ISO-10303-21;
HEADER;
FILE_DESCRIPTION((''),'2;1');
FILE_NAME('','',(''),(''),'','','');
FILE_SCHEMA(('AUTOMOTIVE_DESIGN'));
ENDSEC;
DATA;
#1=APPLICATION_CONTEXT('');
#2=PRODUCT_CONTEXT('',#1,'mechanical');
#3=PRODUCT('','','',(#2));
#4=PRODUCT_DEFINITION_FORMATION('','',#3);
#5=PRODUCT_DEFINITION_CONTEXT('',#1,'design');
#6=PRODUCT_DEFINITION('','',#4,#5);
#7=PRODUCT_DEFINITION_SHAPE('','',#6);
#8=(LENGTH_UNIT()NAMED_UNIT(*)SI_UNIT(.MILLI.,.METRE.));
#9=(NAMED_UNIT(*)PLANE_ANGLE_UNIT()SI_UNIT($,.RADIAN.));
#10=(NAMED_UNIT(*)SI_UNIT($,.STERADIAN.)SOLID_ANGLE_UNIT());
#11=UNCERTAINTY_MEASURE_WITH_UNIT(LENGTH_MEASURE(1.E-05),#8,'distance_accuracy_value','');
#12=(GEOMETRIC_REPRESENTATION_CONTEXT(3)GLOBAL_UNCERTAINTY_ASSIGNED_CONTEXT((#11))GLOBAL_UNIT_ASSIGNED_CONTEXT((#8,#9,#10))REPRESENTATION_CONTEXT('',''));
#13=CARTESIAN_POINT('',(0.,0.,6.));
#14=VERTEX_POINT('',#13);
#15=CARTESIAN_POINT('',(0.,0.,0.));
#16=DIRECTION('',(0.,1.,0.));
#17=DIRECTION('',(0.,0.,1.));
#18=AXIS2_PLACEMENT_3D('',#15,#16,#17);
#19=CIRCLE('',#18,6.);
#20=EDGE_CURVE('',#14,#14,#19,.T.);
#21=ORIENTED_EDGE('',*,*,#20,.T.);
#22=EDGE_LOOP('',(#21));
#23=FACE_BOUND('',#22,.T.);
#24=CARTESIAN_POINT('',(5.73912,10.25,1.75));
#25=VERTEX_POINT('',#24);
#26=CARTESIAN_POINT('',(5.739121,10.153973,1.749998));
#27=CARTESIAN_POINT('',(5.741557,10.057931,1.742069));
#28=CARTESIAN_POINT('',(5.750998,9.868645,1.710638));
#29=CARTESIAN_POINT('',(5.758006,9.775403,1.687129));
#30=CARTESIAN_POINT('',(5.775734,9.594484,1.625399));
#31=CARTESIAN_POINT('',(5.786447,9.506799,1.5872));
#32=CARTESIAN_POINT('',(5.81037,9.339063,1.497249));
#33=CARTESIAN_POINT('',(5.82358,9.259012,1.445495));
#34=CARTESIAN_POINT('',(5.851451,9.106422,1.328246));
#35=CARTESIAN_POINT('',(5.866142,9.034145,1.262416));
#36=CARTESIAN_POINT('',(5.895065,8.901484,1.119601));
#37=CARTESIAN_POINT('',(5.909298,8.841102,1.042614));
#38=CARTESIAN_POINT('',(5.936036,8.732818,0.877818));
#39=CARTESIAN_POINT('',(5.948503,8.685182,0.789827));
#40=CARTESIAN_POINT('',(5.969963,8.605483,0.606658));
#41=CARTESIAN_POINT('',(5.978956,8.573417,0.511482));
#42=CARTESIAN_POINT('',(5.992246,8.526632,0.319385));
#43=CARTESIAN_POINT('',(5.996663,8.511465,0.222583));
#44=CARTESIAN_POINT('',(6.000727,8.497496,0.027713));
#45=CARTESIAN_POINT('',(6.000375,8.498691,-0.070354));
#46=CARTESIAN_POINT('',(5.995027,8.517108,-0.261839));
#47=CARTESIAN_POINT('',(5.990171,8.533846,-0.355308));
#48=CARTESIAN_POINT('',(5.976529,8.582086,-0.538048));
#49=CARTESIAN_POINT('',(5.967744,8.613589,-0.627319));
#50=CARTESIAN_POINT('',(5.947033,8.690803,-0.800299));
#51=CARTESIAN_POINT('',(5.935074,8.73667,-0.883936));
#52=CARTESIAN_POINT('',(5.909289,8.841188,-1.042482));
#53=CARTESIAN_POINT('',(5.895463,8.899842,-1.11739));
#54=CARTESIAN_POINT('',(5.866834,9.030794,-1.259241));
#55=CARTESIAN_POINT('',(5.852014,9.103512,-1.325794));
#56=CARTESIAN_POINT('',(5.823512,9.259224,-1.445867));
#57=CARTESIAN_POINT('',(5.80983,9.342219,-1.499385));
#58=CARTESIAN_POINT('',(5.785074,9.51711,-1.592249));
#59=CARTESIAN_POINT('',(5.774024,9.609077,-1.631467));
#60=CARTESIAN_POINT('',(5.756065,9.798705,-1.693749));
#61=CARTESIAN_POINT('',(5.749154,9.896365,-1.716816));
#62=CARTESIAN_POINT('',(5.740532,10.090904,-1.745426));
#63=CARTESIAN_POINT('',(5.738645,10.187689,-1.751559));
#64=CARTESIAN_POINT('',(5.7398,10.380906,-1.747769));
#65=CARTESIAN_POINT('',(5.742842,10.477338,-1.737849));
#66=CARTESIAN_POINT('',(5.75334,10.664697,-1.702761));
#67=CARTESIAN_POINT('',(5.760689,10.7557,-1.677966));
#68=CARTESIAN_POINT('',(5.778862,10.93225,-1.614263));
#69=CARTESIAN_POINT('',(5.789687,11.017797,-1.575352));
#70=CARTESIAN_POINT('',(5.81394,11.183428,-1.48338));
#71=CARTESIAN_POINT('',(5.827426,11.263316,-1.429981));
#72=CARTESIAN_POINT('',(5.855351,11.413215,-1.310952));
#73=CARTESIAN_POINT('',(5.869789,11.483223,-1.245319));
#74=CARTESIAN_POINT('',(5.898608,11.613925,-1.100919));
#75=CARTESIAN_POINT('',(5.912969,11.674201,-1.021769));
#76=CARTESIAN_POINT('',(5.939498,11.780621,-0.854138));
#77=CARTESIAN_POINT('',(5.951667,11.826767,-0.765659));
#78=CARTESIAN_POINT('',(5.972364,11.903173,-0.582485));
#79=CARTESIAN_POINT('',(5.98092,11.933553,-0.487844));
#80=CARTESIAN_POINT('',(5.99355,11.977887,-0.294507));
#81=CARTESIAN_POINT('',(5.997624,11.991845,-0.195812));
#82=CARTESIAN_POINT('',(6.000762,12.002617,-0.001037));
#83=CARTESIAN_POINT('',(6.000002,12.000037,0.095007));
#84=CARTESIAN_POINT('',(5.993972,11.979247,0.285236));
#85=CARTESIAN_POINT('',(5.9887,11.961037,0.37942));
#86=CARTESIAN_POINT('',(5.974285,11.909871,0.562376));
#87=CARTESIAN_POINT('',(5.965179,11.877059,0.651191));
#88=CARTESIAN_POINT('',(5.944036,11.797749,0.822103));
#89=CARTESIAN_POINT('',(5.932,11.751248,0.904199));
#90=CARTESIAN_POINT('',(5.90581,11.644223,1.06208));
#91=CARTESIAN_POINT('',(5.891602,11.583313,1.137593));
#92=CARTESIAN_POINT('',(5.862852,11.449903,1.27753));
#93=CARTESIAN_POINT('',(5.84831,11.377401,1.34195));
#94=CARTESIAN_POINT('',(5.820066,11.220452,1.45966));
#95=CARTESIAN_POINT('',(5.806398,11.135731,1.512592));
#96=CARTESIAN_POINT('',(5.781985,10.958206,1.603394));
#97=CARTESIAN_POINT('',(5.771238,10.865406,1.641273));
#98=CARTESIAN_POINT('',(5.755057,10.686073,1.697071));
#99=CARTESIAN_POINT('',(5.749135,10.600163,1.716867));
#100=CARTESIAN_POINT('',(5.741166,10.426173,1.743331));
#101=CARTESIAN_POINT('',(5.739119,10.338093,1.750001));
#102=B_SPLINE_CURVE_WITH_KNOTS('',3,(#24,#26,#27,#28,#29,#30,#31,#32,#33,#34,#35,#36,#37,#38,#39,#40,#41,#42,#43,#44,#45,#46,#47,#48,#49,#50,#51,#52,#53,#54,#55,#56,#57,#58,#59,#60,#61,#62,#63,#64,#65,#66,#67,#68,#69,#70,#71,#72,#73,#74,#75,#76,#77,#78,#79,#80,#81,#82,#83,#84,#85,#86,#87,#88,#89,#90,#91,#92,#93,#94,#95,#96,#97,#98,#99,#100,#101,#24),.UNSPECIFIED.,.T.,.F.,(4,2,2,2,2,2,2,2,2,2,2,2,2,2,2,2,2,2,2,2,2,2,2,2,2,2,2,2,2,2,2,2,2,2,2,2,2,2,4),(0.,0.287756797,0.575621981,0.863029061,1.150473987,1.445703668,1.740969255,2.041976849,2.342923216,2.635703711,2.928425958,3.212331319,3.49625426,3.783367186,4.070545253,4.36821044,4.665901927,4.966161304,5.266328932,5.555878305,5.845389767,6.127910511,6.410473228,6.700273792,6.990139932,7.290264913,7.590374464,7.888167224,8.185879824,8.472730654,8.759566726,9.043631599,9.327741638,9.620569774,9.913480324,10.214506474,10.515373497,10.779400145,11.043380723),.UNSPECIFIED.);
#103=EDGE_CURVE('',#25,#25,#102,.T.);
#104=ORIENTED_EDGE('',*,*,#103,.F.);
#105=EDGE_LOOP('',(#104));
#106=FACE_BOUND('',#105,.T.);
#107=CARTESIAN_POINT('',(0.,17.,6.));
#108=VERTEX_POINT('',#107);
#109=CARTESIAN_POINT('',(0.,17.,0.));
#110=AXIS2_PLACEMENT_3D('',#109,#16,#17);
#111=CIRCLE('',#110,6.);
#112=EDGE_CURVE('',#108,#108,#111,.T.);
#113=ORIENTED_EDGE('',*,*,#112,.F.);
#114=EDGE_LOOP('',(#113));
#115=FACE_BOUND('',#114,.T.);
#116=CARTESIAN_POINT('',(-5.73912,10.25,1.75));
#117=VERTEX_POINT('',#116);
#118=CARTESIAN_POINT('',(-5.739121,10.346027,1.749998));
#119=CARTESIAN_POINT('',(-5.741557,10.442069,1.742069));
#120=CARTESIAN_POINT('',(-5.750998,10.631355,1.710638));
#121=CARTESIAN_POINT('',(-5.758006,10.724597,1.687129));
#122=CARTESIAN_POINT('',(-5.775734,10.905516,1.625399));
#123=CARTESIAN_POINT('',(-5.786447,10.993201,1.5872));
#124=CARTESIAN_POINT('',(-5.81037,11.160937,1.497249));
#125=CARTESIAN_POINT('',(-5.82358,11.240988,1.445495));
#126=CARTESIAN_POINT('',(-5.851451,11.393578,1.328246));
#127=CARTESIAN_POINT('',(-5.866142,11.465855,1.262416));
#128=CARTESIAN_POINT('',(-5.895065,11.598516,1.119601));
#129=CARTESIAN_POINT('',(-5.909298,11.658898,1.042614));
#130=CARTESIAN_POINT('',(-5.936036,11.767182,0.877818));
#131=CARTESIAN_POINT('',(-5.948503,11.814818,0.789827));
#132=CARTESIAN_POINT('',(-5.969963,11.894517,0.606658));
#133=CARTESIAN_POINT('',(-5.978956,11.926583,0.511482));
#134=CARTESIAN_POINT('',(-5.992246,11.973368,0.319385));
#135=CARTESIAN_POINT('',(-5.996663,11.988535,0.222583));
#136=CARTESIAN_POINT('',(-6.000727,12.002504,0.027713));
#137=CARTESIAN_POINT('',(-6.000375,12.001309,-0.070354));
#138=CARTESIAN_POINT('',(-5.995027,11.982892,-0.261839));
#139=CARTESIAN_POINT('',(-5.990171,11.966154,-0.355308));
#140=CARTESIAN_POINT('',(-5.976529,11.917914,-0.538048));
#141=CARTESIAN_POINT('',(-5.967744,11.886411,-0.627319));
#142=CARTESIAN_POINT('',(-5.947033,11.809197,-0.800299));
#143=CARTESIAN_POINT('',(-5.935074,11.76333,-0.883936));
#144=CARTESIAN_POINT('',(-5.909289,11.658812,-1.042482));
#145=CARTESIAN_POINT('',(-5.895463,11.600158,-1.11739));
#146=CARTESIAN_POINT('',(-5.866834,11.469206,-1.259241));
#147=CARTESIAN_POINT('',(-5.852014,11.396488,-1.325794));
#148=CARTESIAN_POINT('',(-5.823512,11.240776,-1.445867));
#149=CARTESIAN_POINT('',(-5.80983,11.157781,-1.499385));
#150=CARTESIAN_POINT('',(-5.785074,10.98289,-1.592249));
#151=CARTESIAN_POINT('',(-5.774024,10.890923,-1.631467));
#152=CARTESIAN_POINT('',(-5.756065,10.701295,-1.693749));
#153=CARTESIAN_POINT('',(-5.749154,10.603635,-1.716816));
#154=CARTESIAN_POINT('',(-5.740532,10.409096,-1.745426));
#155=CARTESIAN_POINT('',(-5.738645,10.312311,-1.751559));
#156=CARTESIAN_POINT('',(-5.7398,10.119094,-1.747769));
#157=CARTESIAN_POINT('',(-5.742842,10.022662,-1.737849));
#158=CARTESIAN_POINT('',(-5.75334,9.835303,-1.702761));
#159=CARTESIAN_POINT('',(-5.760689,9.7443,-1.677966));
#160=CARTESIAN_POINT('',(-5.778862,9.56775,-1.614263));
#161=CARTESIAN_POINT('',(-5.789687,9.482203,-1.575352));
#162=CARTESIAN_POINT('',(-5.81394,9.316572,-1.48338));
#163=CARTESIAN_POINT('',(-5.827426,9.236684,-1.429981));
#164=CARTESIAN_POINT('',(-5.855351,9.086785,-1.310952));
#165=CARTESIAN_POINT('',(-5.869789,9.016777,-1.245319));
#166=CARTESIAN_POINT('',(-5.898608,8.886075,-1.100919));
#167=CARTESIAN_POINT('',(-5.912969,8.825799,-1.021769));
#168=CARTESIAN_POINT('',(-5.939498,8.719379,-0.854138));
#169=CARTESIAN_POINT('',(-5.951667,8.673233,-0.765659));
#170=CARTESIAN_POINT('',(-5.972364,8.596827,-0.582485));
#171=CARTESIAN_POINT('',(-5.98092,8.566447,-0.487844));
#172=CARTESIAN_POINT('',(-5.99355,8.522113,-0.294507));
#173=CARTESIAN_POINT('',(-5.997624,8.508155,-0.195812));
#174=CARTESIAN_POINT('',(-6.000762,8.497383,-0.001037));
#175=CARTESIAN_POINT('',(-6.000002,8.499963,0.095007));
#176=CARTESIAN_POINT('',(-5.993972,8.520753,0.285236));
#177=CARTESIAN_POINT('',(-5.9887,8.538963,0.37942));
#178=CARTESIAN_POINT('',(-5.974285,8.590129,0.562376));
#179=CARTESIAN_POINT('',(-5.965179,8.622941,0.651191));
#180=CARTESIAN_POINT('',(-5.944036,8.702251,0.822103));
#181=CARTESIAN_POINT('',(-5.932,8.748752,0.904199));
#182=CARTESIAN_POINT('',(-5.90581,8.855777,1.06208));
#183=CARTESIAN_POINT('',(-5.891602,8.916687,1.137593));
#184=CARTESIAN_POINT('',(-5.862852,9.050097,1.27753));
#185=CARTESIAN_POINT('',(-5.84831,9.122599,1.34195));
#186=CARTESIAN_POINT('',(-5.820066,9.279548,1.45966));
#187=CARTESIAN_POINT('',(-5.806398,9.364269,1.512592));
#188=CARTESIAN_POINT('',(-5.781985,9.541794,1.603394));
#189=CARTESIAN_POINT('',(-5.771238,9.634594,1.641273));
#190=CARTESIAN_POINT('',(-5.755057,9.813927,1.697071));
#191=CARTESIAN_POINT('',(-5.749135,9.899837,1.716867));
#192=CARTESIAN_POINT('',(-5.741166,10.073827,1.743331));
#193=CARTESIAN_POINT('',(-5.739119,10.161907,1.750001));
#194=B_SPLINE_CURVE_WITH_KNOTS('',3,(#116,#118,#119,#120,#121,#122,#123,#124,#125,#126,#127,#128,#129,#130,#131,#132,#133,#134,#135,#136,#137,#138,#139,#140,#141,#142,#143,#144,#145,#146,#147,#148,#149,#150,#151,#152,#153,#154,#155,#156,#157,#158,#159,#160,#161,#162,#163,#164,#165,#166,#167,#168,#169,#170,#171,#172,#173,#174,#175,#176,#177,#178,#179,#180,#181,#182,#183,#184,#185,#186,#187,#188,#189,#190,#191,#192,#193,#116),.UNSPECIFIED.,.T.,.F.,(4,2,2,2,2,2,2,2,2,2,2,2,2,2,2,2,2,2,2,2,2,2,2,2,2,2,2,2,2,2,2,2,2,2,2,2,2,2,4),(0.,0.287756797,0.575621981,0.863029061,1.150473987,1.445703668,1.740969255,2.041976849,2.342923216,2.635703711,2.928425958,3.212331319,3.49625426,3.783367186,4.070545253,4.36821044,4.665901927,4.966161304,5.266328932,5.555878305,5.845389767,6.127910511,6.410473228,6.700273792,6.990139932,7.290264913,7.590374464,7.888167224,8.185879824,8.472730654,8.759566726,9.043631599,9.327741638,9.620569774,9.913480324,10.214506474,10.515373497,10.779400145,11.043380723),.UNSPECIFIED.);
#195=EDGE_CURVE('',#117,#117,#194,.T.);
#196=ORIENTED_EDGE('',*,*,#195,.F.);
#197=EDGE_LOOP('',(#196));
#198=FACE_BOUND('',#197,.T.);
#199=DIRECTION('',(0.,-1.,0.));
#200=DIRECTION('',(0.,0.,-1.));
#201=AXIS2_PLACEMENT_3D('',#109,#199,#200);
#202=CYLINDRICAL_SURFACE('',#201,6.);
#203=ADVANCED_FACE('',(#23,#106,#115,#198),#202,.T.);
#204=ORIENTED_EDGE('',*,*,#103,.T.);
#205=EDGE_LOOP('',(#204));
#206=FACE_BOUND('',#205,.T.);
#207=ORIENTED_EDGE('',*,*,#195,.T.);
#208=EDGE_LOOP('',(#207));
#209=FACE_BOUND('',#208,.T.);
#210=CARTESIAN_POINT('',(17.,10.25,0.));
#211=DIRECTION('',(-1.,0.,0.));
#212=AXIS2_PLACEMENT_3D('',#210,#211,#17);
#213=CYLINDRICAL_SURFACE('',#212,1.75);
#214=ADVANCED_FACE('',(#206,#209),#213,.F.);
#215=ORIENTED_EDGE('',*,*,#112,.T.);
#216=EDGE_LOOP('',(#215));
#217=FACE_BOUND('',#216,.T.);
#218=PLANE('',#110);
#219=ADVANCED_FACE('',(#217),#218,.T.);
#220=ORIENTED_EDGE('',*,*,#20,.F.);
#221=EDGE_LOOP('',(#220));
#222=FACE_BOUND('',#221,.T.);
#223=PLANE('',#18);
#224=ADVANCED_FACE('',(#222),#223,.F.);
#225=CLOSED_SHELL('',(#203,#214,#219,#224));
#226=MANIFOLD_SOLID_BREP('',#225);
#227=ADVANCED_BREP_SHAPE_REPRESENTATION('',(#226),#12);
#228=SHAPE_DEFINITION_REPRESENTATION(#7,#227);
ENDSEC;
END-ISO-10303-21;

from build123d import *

# Parameters (mm, degrees)
SKETCH1_R               = 6
BOSS_EXTRUDE1_DEPTH     = 17
CUT_EXTRUDE1_DEPTH      = 17
CUT_EXTRUDE1_DEPTH_BACK = 17
SKETCH2_R               = 1.75


with BuildPart() as part:
    # Sketch1 → Boss-Extrude1 (new body)
    with BuildSketch(Plane(origin=(0, 0, 0), x_dir=(1, 0, 0), z_dir=(0, 1, 0))):
        Circle(SKETCH1_R)
    extrude(amount=BOSS_EXTRUDE1_DEPTH)

    # Sketch2 → Cut-Extrude1 (cut, two sides: drawn at the far end of the back side and taken through both)
    with BuildSketch(Plane(origin=(0, 0, 0), x_dir=(0, 0, -1), z_dir=(1, 0, 0)).offset(-CUT_EXTRUDE1_DEPTH_BACK)):
        with Locations((0, 10.25)):
            Circle(SKETCH2_R)
    extrude(amount=CUT_EXTRUDE1_DEPTH + CUT_EXTRUDE1_DEPTH_BACK, mode=Mode.SUBTRACT)


solid = part.part
